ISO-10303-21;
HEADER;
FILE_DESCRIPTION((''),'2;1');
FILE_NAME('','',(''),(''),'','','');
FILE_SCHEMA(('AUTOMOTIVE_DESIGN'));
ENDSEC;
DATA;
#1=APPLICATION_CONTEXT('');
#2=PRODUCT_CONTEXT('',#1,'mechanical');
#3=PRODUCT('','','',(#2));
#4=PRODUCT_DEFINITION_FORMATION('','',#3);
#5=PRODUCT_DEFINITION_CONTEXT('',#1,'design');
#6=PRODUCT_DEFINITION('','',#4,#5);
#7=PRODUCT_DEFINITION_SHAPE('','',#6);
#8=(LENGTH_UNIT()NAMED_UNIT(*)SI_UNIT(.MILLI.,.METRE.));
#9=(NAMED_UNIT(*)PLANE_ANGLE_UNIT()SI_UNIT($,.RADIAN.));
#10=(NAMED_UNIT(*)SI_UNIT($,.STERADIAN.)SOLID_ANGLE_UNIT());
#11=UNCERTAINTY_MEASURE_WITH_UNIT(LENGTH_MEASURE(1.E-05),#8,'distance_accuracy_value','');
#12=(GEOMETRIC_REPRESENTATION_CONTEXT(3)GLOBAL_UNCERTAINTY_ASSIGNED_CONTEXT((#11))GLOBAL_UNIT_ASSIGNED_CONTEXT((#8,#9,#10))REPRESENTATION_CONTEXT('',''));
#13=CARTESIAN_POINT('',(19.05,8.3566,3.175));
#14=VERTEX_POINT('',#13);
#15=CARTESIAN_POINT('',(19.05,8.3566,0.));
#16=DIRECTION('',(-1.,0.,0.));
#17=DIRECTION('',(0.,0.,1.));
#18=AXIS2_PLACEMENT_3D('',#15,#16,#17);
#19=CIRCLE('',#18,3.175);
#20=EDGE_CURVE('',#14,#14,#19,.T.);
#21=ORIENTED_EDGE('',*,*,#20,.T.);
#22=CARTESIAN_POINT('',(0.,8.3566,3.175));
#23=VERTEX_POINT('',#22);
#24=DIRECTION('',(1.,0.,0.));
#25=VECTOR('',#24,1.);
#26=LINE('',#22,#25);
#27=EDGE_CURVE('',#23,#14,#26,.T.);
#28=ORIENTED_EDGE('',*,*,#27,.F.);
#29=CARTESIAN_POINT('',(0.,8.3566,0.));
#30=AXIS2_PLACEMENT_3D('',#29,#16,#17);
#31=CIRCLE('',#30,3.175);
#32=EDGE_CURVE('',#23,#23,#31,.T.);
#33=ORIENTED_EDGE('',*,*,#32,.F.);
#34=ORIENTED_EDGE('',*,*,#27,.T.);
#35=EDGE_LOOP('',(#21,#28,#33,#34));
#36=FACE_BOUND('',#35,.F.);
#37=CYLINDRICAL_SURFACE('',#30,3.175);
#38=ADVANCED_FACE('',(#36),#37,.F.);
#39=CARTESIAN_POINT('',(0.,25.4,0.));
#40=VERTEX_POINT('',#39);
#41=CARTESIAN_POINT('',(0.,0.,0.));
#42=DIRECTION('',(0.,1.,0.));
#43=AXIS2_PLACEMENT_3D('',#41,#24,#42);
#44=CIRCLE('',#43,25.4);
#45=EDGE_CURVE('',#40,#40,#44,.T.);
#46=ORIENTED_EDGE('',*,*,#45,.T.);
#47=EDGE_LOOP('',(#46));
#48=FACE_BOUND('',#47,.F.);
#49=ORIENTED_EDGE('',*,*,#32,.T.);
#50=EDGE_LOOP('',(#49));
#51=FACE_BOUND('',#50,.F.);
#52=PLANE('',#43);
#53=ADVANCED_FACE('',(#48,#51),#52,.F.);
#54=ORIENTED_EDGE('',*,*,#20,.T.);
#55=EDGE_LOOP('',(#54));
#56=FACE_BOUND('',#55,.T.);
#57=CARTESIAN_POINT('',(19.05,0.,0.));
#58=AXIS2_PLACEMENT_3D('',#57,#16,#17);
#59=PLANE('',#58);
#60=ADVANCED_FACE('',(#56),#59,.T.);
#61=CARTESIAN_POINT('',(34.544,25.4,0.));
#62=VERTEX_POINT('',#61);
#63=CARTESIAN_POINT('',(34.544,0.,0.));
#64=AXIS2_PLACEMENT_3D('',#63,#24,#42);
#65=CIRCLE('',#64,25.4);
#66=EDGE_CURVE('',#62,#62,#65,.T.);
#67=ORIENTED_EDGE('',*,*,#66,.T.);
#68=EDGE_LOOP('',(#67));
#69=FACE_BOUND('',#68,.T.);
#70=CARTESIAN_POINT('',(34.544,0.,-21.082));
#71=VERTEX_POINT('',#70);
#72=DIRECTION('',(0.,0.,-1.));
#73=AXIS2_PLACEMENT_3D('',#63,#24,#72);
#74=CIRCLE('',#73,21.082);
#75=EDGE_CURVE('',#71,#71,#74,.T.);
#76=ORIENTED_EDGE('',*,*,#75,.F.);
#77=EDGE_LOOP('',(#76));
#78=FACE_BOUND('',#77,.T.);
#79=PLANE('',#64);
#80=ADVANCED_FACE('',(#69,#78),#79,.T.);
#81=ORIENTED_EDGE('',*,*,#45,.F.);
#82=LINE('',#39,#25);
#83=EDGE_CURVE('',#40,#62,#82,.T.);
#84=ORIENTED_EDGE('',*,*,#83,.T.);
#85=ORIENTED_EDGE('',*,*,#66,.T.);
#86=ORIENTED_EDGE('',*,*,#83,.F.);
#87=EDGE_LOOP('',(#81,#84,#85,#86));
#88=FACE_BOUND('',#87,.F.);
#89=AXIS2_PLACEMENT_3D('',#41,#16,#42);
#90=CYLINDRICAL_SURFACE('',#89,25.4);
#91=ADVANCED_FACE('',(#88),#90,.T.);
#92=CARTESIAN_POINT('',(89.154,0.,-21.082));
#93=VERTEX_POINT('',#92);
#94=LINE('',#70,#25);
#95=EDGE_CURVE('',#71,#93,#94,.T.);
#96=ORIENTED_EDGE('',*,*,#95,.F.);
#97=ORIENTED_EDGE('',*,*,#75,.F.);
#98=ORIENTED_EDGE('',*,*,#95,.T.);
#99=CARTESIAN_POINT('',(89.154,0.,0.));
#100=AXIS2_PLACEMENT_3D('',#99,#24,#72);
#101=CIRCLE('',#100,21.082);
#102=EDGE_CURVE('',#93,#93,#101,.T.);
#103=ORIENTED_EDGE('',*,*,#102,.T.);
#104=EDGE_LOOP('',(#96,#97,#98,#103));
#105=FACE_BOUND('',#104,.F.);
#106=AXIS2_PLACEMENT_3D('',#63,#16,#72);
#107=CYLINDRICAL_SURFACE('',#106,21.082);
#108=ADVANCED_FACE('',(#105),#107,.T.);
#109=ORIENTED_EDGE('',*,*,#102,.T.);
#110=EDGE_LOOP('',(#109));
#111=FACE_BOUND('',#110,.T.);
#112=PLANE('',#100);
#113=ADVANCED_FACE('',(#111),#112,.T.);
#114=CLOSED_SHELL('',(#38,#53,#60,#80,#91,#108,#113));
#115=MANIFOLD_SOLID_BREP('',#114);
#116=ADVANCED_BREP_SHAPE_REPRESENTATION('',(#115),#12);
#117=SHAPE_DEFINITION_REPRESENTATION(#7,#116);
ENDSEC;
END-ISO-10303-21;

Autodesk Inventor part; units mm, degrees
ref_plane "YZ Plane" through (0, 0, 0) normal (1, 0, 0) x (0, 1, 0)
ref_plane "XZ Plane" through (0, 0, 0) normal (0, 1, 0) x (-1, 0, 0)
ref_plane "XY Plane" through (0, 0, 0) normal (0, 0, 1) x (1, 0, 0)
sketch "Sketch1" plane through (0, 0, 0) normal (1, 0, 0) x (0, 1, 0)
  circle A0 centre (0, 0) radius 25.4
  dimension "d0" = 50.8
extrude "Extrusion1" add sketch "Sketch1" along normal blind 34.544
sketch "Sketch2" plane through (34.544, 0, 0) normal (1, 0, 0) x (0, 0, -1)
  circle A0 centre (0, 0) radius 21.082
  dimension "d3" = 42.164
extrude "Extrusion2" add sketch "Sketch2" along normal blind 54.61
sketch "Sketch3" plane through (0, 0, 0) normal (-1, 0, 0) x (0, 0, 1)
  circle A0 centre (0, 8.3566) radius 3.175
  line L0 (0, 0) -> (0, 8.3566) construction
  circle A1 centre (0, 0) radius 25.4 projected
  dimension "d9" = 6.35
  dimension "d10" = 8.3566
extrude "Extrusion3" cut sketch "Sketch3" against normal blind 19.05 contours A0
properties part number "Motor"
